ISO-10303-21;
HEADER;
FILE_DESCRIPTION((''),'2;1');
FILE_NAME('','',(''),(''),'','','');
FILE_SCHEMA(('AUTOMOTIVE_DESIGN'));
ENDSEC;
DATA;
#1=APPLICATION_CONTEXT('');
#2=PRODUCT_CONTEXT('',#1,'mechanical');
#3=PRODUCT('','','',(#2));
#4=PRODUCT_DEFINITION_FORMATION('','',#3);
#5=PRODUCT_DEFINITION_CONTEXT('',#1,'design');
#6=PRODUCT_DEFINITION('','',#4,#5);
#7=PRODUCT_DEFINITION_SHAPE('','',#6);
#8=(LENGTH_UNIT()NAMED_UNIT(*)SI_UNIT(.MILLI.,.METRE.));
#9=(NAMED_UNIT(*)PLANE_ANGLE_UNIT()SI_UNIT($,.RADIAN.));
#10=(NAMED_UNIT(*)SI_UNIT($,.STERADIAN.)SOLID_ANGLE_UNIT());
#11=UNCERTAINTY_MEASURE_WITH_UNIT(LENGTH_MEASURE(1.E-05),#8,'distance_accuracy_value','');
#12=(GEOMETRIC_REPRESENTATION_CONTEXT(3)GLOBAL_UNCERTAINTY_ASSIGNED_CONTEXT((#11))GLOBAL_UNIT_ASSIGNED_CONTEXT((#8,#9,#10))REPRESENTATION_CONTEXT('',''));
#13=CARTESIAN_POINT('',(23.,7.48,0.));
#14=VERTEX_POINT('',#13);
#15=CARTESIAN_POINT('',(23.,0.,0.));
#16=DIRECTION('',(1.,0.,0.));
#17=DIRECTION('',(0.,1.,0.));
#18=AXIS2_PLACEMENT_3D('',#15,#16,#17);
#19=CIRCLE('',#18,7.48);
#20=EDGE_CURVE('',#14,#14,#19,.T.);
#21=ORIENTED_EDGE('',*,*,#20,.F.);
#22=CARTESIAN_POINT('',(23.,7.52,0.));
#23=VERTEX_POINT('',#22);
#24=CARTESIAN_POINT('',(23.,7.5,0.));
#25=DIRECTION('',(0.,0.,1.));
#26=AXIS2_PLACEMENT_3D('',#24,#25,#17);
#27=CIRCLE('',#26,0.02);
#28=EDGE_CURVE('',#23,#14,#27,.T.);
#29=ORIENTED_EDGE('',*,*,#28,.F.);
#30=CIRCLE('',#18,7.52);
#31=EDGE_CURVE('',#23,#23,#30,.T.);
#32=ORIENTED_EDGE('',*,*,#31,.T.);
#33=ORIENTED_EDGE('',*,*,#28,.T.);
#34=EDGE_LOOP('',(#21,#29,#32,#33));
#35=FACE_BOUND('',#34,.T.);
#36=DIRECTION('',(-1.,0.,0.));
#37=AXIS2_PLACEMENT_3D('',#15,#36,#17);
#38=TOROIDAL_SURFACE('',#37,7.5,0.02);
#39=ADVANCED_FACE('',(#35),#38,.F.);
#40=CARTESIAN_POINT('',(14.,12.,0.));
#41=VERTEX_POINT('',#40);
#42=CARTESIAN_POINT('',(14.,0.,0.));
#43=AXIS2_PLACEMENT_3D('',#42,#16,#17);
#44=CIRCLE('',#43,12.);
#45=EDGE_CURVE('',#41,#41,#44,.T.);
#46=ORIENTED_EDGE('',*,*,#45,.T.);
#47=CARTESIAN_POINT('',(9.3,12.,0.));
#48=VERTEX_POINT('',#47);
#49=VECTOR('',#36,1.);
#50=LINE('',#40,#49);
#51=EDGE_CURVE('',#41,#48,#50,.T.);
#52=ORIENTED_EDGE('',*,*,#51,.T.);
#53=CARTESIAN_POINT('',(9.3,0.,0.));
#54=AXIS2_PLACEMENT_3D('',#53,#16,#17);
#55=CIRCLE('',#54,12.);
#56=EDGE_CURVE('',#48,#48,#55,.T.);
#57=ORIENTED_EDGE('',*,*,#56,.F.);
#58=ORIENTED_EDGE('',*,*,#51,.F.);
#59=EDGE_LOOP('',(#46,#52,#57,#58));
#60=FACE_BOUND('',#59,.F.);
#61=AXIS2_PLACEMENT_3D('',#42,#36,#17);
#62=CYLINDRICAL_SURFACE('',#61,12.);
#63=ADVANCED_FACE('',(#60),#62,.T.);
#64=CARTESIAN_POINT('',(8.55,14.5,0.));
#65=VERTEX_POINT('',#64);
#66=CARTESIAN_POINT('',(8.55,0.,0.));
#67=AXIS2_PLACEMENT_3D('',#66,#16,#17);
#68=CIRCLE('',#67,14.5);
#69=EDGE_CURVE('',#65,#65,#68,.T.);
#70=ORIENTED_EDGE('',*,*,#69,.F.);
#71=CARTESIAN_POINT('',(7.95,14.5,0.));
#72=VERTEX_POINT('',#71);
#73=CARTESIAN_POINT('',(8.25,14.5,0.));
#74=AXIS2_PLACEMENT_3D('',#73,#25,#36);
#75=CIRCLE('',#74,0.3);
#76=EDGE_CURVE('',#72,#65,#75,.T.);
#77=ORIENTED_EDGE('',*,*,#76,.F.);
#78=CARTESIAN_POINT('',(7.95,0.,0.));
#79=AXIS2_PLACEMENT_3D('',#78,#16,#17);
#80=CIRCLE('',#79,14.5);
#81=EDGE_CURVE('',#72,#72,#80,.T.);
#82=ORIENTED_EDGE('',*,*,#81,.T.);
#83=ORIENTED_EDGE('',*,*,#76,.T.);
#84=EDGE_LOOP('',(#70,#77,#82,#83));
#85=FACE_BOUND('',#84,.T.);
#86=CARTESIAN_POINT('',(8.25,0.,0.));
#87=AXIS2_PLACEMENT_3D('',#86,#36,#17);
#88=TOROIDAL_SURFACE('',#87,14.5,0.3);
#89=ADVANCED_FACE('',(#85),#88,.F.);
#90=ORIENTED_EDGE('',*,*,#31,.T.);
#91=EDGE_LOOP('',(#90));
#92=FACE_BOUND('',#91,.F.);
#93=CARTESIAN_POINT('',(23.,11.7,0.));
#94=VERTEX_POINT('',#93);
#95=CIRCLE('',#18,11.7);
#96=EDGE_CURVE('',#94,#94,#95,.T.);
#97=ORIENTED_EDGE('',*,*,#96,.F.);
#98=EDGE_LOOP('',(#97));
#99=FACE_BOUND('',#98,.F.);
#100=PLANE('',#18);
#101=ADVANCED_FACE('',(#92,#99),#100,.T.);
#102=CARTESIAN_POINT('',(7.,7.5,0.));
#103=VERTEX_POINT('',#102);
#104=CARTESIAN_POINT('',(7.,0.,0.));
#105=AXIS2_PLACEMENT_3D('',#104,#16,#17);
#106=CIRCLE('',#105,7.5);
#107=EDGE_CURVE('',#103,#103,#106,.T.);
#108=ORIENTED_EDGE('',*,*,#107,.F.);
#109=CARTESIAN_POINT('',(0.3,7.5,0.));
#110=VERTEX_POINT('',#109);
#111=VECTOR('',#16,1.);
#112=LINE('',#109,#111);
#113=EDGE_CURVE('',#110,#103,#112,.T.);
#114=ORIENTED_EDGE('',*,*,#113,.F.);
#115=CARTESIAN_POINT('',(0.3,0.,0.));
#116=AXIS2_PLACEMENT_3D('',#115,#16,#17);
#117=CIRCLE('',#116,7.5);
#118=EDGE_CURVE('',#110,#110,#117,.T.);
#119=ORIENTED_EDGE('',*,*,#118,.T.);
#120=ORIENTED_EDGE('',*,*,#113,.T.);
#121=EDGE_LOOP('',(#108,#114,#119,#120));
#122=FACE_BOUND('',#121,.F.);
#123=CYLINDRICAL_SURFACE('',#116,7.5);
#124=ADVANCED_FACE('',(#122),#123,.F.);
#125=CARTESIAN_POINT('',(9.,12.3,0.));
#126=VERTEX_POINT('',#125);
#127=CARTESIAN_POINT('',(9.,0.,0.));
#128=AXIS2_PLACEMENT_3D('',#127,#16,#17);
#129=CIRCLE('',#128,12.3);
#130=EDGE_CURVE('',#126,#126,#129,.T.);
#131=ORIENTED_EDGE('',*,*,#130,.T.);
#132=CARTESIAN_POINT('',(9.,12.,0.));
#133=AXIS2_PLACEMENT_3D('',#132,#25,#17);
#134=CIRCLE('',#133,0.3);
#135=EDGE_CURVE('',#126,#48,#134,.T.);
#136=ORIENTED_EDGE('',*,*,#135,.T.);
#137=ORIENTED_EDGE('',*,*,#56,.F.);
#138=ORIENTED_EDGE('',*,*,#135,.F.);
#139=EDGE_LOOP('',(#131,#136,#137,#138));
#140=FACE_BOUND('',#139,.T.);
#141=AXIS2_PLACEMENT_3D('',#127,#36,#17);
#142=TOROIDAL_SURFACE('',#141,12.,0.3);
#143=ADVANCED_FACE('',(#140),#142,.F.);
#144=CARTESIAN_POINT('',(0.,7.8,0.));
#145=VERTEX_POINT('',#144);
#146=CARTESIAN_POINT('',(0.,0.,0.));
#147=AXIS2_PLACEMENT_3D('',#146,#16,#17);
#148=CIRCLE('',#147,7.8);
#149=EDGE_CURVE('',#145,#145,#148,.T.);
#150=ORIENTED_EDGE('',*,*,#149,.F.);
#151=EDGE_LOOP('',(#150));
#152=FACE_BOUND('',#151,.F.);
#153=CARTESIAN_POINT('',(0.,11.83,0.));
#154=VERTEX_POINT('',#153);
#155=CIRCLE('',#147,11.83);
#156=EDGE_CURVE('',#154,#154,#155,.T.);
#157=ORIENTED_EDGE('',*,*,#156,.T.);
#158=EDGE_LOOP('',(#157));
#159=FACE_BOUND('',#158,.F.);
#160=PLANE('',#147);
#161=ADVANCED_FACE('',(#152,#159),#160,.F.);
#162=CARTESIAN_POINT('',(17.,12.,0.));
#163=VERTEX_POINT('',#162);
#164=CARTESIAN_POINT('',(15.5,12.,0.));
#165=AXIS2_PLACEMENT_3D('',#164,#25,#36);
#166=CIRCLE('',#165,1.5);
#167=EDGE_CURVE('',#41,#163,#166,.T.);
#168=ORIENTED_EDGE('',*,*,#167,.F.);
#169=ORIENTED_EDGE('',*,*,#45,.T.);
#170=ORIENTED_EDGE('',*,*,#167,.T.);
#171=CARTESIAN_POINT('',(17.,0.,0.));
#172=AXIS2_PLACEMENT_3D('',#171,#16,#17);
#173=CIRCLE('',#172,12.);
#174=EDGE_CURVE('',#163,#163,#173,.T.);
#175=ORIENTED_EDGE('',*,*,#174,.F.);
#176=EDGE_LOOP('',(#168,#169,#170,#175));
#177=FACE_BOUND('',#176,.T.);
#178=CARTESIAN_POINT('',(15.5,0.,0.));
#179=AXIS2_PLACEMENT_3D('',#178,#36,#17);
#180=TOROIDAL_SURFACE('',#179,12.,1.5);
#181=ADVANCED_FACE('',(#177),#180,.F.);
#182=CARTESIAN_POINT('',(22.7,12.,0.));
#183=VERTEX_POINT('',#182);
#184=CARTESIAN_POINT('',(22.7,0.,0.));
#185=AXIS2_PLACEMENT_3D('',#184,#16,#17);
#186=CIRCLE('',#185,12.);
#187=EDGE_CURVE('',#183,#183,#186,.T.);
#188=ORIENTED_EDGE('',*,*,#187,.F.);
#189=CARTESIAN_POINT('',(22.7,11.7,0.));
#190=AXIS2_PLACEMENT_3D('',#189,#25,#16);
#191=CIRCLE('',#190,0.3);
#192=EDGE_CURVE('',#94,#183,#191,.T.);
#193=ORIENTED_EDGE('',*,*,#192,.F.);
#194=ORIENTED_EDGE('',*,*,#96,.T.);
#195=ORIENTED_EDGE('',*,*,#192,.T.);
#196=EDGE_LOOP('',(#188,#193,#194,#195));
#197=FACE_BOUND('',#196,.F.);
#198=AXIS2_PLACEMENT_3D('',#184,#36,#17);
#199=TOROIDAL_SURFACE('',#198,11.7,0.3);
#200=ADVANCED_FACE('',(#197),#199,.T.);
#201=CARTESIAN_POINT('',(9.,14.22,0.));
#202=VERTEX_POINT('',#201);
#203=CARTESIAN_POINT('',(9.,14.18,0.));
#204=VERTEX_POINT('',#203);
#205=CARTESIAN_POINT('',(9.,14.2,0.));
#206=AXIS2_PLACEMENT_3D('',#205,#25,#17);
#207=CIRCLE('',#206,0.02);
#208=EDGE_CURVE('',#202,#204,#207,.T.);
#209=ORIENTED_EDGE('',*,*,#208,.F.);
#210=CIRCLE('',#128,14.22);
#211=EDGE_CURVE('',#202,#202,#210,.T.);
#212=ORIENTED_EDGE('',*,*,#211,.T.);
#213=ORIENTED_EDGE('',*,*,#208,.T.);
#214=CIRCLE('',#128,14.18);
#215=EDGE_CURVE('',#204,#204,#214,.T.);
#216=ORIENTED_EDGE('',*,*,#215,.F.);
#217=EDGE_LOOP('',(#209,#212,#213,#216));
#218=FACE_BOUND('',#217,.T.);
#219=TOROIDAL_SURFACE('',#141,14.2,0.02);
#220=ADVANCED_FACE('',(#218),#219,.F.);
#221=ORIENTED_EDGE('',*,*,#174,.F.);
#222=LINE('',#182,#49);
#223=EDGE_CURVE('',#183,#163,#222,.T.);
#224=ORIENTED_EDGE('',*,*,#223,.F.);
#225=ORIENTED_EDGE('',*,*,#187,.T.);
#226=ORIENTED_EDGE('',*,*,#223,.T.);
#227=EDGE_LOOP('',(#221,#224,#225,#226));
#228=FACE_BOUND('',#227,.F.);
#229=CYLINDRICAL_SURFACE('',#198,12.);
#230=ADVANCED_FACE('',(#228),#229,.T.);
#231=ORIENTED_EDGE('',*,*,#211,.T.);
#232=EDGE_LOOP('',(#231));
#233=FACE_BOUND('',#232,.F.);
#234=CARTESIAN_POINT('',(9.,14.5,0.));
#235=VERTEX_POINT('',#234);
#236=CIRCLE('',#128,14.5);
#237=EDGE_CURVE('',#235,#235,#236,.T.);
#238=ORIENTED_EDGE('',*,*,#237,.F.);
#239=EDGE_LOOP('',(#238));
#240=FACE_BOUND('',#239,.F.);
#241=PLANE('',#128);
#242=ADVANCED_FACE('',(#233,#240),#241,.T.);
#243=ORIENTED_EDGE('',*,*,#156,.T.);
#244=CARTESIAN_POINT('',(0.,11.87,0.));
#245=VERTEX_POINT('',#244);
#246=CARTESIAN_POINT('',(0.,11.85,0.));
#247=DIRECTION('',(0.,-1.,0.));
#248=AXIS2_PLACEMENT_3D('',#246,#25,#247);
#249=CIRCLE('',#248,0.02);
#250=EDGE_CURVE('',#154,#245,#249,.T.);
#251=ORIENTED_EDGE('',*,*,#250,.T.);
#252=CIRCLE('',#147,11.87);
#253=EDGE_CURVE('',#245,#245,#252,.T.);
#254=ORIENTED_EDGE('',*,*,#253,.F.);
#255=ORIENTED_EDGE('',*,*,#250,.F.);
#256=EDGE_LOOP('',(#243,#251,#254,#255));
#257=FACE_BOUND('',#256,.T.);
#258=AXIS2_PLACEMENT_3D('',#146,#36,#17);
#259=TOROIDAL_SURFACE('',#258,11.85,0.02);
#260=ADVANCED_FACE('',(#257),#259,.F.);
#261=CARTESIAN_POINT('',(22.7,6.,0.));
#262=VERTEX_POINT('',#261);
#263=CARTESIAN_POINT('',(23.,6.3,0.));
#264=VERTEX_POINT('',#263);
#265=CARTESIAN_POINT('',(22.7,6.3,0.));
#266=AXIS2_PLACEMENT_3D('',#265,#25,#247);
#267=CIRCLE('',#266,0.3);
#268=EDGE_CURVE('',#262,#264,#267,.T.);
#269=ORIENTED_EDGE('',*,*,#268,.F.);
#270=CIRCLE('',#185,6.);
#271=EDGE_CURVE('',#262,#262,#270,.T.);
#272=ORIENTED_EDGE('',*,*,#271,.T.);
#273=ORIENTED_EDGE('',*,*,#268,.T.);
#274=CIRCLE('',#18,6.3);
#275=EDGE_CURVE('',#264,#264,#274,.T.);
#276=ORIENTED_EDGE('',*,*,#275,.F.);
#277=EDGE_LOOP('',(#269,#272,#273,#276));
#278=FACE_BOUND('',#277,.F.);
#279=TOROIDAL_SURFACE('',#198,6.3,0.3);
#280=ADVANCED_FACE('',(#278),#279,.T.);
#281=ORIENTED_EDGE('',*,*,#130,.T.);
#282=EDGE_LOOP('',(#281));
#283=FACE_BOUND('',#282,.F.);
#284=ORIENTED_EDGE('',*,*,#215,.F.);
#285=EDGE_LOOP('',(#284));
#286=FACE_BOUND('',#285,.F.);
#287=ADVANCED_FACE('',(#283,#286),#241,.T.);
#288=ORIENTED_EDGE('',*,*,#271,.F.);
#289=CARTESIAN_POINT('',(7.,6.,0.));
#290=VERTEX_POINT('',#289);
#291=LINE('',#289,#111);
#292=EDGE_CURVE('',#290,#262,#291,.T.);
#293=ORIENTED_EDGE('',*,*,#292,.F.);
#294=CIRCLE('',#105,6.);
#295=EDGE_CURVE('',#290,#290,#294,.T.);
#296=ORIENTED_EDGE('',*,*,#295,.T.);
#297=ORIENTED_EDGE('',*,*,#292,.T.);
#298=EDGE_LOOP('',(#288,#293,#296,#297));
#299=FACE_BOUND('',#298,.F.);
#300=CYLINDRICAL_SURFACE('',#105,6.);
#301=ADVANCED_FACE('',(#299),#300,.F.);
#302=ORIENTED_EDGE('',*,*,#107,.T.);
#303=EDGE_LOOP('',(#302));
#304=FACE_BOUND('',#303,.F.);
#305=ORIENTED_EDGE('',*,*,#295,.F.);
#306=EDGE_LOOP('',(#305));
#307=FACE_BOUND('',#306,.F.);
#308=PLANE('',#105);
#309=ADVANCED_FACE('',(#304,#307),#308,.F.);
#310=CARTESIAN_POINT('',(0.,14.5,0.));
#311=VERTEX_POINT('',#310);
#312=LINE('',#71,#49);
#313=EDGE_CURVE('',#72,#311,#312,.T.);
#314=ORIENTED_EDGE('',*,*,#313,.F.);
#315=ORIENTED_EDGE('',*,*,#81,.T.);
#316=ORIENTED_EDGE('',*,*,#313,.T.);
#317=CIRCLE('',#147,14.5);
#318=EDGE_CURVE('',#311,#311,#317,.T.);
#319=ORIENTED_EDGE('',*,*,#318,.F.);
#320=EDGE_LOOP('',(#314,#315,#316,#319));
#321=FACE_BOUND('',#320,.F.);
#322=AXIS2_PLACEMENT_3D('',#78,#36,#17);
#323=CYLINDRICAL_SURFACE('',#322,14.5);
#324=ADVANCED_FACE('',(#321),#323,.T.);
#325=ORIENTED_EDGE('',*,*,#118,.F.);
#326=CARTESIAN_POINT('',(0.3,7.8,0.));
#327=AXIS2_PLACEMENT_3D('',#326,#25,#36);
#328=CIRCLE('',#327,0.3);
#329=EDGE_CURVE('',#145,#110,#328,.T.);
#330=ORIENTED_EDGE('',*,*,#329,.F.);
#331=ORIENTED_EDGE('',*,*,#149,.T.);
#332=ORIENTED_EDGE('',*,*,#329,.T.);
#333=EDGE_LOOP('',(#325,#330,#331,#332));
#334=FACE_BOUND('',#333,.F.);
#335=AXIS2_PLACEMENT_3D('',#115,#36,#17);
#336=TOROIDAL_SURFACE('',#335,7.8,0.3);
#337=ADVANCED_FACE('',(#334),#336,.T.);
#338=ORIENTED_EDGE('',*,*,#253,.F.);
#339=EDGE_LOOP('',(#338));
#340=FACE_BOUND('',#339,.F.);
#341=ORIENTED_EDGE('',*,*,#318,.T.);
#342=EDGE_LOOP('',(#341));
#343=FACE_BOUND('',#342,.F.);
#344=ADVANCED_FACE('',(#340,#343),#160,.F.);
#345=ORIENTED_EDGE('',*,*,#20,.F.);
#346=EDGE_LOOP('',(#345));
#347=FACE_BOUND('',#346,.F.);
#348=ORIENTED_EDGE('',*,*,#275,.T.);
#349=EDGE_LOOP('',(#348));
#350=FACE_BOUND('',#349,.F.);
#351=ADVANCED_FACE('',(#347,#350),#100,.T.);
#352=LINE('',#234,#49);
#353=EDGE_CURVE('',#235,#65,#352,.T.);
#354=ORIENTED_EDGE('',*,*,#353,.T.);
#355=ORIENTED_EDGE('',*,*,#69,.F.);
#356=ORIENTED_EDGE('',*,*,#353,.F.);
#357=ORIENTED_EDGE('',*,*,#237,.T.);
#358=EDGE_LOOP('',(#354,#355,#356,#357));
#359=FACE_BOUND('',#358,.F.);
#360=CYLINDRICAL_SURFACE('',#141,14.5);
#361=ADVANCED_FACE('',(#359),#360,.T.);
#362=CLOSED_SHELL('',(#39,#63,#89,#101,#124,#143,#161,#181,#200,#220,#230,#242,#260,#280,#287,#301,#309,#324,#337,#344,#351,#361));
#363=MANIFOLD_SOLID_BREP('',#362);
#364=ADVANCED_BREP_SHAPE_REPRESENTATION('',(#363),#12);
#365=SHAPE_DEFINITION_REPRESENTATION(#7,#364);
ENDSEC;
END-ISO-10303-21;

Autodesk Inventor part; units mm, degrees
sketch "Sketch_1" plane through (0, 0, 0) normal (0, 0, 1) x (1, 0, 0)
  line L0 (23, 0) -> (0, 0)
  line L1 (0, 14.5) -> (0, 11.87)
  arc A0 (0, 11.83) -> (0, 11.87) centre (0, 11.85) ccw
  line L2 (0, 11.83) -> (0, 7.8)
  arc A1 (0, 7.8) -> (0.3, 7.5) centre (0.3, 7.8) ccw
  line L3 (0.3, 7.5) -> (7, 7.5)
  line L4 (7, 7.5) -> (7, 6)
  line L5 (7, 6) -> (22.7, 6)
  arc A2 (22.7, 6) -> (23, 6.3) centre (22.7, 6.3) ccw
  line L6 (23, 6.3) -> (23, 7.48)
  arc A3 (23, 7.52) -> (23, 7.48) centre (23, 7.5) ccw
  line L7 (23, 7.52) -> (23, 11.7)
  arc A4 (23, 11.7) -> (22.7, 12) centre (22.7, 11.7) ccw
  line L8 (22.7, 12) -> (17, 12)
  arc A5 (14, 12) -> (17, 12) centre (15.5, 12) ccw
  line L9 (14, 12) -> (9.3, 12)
  arc A6 (9, 12.3) -> (9.3, 12) centre (9, 12) ccw
  line L10 (9, 12.3) -> (9, 14.18)
  arc A7 (9, 14.22) -> (9, 14.18) centre (9, 14.2) ccw
  line L11 (9, 14.22) -> (9, 14.5)
  line L12 (9, 14.5) -> (8.55, 14.5)
  arc A8 (7.95, 14.5) -> (8.55, 14.5) centre (8.25, 14.5) ccw
  line L13 (7.95, 14.5) -> (0, 14.5)
revolve "Revolution1" add sketch "Sketch_1" angle 360 about axis through (23, 0, 0) along (1, 0, 0)
ref_plane "to_housing_XY" through (9, 0, 0) normal (1, 0, 0) x (0, 0, -1)
ref_plane "to_housing_YZ" through (9, 0, 0) normal (0, 0, -1) x (0, 1, 0)
ref_plane "to_housing_ZX" through (9, 0, 0) normal (0, 1, 0) x (1, 0, 0)
properties part number "NKXZ12"
